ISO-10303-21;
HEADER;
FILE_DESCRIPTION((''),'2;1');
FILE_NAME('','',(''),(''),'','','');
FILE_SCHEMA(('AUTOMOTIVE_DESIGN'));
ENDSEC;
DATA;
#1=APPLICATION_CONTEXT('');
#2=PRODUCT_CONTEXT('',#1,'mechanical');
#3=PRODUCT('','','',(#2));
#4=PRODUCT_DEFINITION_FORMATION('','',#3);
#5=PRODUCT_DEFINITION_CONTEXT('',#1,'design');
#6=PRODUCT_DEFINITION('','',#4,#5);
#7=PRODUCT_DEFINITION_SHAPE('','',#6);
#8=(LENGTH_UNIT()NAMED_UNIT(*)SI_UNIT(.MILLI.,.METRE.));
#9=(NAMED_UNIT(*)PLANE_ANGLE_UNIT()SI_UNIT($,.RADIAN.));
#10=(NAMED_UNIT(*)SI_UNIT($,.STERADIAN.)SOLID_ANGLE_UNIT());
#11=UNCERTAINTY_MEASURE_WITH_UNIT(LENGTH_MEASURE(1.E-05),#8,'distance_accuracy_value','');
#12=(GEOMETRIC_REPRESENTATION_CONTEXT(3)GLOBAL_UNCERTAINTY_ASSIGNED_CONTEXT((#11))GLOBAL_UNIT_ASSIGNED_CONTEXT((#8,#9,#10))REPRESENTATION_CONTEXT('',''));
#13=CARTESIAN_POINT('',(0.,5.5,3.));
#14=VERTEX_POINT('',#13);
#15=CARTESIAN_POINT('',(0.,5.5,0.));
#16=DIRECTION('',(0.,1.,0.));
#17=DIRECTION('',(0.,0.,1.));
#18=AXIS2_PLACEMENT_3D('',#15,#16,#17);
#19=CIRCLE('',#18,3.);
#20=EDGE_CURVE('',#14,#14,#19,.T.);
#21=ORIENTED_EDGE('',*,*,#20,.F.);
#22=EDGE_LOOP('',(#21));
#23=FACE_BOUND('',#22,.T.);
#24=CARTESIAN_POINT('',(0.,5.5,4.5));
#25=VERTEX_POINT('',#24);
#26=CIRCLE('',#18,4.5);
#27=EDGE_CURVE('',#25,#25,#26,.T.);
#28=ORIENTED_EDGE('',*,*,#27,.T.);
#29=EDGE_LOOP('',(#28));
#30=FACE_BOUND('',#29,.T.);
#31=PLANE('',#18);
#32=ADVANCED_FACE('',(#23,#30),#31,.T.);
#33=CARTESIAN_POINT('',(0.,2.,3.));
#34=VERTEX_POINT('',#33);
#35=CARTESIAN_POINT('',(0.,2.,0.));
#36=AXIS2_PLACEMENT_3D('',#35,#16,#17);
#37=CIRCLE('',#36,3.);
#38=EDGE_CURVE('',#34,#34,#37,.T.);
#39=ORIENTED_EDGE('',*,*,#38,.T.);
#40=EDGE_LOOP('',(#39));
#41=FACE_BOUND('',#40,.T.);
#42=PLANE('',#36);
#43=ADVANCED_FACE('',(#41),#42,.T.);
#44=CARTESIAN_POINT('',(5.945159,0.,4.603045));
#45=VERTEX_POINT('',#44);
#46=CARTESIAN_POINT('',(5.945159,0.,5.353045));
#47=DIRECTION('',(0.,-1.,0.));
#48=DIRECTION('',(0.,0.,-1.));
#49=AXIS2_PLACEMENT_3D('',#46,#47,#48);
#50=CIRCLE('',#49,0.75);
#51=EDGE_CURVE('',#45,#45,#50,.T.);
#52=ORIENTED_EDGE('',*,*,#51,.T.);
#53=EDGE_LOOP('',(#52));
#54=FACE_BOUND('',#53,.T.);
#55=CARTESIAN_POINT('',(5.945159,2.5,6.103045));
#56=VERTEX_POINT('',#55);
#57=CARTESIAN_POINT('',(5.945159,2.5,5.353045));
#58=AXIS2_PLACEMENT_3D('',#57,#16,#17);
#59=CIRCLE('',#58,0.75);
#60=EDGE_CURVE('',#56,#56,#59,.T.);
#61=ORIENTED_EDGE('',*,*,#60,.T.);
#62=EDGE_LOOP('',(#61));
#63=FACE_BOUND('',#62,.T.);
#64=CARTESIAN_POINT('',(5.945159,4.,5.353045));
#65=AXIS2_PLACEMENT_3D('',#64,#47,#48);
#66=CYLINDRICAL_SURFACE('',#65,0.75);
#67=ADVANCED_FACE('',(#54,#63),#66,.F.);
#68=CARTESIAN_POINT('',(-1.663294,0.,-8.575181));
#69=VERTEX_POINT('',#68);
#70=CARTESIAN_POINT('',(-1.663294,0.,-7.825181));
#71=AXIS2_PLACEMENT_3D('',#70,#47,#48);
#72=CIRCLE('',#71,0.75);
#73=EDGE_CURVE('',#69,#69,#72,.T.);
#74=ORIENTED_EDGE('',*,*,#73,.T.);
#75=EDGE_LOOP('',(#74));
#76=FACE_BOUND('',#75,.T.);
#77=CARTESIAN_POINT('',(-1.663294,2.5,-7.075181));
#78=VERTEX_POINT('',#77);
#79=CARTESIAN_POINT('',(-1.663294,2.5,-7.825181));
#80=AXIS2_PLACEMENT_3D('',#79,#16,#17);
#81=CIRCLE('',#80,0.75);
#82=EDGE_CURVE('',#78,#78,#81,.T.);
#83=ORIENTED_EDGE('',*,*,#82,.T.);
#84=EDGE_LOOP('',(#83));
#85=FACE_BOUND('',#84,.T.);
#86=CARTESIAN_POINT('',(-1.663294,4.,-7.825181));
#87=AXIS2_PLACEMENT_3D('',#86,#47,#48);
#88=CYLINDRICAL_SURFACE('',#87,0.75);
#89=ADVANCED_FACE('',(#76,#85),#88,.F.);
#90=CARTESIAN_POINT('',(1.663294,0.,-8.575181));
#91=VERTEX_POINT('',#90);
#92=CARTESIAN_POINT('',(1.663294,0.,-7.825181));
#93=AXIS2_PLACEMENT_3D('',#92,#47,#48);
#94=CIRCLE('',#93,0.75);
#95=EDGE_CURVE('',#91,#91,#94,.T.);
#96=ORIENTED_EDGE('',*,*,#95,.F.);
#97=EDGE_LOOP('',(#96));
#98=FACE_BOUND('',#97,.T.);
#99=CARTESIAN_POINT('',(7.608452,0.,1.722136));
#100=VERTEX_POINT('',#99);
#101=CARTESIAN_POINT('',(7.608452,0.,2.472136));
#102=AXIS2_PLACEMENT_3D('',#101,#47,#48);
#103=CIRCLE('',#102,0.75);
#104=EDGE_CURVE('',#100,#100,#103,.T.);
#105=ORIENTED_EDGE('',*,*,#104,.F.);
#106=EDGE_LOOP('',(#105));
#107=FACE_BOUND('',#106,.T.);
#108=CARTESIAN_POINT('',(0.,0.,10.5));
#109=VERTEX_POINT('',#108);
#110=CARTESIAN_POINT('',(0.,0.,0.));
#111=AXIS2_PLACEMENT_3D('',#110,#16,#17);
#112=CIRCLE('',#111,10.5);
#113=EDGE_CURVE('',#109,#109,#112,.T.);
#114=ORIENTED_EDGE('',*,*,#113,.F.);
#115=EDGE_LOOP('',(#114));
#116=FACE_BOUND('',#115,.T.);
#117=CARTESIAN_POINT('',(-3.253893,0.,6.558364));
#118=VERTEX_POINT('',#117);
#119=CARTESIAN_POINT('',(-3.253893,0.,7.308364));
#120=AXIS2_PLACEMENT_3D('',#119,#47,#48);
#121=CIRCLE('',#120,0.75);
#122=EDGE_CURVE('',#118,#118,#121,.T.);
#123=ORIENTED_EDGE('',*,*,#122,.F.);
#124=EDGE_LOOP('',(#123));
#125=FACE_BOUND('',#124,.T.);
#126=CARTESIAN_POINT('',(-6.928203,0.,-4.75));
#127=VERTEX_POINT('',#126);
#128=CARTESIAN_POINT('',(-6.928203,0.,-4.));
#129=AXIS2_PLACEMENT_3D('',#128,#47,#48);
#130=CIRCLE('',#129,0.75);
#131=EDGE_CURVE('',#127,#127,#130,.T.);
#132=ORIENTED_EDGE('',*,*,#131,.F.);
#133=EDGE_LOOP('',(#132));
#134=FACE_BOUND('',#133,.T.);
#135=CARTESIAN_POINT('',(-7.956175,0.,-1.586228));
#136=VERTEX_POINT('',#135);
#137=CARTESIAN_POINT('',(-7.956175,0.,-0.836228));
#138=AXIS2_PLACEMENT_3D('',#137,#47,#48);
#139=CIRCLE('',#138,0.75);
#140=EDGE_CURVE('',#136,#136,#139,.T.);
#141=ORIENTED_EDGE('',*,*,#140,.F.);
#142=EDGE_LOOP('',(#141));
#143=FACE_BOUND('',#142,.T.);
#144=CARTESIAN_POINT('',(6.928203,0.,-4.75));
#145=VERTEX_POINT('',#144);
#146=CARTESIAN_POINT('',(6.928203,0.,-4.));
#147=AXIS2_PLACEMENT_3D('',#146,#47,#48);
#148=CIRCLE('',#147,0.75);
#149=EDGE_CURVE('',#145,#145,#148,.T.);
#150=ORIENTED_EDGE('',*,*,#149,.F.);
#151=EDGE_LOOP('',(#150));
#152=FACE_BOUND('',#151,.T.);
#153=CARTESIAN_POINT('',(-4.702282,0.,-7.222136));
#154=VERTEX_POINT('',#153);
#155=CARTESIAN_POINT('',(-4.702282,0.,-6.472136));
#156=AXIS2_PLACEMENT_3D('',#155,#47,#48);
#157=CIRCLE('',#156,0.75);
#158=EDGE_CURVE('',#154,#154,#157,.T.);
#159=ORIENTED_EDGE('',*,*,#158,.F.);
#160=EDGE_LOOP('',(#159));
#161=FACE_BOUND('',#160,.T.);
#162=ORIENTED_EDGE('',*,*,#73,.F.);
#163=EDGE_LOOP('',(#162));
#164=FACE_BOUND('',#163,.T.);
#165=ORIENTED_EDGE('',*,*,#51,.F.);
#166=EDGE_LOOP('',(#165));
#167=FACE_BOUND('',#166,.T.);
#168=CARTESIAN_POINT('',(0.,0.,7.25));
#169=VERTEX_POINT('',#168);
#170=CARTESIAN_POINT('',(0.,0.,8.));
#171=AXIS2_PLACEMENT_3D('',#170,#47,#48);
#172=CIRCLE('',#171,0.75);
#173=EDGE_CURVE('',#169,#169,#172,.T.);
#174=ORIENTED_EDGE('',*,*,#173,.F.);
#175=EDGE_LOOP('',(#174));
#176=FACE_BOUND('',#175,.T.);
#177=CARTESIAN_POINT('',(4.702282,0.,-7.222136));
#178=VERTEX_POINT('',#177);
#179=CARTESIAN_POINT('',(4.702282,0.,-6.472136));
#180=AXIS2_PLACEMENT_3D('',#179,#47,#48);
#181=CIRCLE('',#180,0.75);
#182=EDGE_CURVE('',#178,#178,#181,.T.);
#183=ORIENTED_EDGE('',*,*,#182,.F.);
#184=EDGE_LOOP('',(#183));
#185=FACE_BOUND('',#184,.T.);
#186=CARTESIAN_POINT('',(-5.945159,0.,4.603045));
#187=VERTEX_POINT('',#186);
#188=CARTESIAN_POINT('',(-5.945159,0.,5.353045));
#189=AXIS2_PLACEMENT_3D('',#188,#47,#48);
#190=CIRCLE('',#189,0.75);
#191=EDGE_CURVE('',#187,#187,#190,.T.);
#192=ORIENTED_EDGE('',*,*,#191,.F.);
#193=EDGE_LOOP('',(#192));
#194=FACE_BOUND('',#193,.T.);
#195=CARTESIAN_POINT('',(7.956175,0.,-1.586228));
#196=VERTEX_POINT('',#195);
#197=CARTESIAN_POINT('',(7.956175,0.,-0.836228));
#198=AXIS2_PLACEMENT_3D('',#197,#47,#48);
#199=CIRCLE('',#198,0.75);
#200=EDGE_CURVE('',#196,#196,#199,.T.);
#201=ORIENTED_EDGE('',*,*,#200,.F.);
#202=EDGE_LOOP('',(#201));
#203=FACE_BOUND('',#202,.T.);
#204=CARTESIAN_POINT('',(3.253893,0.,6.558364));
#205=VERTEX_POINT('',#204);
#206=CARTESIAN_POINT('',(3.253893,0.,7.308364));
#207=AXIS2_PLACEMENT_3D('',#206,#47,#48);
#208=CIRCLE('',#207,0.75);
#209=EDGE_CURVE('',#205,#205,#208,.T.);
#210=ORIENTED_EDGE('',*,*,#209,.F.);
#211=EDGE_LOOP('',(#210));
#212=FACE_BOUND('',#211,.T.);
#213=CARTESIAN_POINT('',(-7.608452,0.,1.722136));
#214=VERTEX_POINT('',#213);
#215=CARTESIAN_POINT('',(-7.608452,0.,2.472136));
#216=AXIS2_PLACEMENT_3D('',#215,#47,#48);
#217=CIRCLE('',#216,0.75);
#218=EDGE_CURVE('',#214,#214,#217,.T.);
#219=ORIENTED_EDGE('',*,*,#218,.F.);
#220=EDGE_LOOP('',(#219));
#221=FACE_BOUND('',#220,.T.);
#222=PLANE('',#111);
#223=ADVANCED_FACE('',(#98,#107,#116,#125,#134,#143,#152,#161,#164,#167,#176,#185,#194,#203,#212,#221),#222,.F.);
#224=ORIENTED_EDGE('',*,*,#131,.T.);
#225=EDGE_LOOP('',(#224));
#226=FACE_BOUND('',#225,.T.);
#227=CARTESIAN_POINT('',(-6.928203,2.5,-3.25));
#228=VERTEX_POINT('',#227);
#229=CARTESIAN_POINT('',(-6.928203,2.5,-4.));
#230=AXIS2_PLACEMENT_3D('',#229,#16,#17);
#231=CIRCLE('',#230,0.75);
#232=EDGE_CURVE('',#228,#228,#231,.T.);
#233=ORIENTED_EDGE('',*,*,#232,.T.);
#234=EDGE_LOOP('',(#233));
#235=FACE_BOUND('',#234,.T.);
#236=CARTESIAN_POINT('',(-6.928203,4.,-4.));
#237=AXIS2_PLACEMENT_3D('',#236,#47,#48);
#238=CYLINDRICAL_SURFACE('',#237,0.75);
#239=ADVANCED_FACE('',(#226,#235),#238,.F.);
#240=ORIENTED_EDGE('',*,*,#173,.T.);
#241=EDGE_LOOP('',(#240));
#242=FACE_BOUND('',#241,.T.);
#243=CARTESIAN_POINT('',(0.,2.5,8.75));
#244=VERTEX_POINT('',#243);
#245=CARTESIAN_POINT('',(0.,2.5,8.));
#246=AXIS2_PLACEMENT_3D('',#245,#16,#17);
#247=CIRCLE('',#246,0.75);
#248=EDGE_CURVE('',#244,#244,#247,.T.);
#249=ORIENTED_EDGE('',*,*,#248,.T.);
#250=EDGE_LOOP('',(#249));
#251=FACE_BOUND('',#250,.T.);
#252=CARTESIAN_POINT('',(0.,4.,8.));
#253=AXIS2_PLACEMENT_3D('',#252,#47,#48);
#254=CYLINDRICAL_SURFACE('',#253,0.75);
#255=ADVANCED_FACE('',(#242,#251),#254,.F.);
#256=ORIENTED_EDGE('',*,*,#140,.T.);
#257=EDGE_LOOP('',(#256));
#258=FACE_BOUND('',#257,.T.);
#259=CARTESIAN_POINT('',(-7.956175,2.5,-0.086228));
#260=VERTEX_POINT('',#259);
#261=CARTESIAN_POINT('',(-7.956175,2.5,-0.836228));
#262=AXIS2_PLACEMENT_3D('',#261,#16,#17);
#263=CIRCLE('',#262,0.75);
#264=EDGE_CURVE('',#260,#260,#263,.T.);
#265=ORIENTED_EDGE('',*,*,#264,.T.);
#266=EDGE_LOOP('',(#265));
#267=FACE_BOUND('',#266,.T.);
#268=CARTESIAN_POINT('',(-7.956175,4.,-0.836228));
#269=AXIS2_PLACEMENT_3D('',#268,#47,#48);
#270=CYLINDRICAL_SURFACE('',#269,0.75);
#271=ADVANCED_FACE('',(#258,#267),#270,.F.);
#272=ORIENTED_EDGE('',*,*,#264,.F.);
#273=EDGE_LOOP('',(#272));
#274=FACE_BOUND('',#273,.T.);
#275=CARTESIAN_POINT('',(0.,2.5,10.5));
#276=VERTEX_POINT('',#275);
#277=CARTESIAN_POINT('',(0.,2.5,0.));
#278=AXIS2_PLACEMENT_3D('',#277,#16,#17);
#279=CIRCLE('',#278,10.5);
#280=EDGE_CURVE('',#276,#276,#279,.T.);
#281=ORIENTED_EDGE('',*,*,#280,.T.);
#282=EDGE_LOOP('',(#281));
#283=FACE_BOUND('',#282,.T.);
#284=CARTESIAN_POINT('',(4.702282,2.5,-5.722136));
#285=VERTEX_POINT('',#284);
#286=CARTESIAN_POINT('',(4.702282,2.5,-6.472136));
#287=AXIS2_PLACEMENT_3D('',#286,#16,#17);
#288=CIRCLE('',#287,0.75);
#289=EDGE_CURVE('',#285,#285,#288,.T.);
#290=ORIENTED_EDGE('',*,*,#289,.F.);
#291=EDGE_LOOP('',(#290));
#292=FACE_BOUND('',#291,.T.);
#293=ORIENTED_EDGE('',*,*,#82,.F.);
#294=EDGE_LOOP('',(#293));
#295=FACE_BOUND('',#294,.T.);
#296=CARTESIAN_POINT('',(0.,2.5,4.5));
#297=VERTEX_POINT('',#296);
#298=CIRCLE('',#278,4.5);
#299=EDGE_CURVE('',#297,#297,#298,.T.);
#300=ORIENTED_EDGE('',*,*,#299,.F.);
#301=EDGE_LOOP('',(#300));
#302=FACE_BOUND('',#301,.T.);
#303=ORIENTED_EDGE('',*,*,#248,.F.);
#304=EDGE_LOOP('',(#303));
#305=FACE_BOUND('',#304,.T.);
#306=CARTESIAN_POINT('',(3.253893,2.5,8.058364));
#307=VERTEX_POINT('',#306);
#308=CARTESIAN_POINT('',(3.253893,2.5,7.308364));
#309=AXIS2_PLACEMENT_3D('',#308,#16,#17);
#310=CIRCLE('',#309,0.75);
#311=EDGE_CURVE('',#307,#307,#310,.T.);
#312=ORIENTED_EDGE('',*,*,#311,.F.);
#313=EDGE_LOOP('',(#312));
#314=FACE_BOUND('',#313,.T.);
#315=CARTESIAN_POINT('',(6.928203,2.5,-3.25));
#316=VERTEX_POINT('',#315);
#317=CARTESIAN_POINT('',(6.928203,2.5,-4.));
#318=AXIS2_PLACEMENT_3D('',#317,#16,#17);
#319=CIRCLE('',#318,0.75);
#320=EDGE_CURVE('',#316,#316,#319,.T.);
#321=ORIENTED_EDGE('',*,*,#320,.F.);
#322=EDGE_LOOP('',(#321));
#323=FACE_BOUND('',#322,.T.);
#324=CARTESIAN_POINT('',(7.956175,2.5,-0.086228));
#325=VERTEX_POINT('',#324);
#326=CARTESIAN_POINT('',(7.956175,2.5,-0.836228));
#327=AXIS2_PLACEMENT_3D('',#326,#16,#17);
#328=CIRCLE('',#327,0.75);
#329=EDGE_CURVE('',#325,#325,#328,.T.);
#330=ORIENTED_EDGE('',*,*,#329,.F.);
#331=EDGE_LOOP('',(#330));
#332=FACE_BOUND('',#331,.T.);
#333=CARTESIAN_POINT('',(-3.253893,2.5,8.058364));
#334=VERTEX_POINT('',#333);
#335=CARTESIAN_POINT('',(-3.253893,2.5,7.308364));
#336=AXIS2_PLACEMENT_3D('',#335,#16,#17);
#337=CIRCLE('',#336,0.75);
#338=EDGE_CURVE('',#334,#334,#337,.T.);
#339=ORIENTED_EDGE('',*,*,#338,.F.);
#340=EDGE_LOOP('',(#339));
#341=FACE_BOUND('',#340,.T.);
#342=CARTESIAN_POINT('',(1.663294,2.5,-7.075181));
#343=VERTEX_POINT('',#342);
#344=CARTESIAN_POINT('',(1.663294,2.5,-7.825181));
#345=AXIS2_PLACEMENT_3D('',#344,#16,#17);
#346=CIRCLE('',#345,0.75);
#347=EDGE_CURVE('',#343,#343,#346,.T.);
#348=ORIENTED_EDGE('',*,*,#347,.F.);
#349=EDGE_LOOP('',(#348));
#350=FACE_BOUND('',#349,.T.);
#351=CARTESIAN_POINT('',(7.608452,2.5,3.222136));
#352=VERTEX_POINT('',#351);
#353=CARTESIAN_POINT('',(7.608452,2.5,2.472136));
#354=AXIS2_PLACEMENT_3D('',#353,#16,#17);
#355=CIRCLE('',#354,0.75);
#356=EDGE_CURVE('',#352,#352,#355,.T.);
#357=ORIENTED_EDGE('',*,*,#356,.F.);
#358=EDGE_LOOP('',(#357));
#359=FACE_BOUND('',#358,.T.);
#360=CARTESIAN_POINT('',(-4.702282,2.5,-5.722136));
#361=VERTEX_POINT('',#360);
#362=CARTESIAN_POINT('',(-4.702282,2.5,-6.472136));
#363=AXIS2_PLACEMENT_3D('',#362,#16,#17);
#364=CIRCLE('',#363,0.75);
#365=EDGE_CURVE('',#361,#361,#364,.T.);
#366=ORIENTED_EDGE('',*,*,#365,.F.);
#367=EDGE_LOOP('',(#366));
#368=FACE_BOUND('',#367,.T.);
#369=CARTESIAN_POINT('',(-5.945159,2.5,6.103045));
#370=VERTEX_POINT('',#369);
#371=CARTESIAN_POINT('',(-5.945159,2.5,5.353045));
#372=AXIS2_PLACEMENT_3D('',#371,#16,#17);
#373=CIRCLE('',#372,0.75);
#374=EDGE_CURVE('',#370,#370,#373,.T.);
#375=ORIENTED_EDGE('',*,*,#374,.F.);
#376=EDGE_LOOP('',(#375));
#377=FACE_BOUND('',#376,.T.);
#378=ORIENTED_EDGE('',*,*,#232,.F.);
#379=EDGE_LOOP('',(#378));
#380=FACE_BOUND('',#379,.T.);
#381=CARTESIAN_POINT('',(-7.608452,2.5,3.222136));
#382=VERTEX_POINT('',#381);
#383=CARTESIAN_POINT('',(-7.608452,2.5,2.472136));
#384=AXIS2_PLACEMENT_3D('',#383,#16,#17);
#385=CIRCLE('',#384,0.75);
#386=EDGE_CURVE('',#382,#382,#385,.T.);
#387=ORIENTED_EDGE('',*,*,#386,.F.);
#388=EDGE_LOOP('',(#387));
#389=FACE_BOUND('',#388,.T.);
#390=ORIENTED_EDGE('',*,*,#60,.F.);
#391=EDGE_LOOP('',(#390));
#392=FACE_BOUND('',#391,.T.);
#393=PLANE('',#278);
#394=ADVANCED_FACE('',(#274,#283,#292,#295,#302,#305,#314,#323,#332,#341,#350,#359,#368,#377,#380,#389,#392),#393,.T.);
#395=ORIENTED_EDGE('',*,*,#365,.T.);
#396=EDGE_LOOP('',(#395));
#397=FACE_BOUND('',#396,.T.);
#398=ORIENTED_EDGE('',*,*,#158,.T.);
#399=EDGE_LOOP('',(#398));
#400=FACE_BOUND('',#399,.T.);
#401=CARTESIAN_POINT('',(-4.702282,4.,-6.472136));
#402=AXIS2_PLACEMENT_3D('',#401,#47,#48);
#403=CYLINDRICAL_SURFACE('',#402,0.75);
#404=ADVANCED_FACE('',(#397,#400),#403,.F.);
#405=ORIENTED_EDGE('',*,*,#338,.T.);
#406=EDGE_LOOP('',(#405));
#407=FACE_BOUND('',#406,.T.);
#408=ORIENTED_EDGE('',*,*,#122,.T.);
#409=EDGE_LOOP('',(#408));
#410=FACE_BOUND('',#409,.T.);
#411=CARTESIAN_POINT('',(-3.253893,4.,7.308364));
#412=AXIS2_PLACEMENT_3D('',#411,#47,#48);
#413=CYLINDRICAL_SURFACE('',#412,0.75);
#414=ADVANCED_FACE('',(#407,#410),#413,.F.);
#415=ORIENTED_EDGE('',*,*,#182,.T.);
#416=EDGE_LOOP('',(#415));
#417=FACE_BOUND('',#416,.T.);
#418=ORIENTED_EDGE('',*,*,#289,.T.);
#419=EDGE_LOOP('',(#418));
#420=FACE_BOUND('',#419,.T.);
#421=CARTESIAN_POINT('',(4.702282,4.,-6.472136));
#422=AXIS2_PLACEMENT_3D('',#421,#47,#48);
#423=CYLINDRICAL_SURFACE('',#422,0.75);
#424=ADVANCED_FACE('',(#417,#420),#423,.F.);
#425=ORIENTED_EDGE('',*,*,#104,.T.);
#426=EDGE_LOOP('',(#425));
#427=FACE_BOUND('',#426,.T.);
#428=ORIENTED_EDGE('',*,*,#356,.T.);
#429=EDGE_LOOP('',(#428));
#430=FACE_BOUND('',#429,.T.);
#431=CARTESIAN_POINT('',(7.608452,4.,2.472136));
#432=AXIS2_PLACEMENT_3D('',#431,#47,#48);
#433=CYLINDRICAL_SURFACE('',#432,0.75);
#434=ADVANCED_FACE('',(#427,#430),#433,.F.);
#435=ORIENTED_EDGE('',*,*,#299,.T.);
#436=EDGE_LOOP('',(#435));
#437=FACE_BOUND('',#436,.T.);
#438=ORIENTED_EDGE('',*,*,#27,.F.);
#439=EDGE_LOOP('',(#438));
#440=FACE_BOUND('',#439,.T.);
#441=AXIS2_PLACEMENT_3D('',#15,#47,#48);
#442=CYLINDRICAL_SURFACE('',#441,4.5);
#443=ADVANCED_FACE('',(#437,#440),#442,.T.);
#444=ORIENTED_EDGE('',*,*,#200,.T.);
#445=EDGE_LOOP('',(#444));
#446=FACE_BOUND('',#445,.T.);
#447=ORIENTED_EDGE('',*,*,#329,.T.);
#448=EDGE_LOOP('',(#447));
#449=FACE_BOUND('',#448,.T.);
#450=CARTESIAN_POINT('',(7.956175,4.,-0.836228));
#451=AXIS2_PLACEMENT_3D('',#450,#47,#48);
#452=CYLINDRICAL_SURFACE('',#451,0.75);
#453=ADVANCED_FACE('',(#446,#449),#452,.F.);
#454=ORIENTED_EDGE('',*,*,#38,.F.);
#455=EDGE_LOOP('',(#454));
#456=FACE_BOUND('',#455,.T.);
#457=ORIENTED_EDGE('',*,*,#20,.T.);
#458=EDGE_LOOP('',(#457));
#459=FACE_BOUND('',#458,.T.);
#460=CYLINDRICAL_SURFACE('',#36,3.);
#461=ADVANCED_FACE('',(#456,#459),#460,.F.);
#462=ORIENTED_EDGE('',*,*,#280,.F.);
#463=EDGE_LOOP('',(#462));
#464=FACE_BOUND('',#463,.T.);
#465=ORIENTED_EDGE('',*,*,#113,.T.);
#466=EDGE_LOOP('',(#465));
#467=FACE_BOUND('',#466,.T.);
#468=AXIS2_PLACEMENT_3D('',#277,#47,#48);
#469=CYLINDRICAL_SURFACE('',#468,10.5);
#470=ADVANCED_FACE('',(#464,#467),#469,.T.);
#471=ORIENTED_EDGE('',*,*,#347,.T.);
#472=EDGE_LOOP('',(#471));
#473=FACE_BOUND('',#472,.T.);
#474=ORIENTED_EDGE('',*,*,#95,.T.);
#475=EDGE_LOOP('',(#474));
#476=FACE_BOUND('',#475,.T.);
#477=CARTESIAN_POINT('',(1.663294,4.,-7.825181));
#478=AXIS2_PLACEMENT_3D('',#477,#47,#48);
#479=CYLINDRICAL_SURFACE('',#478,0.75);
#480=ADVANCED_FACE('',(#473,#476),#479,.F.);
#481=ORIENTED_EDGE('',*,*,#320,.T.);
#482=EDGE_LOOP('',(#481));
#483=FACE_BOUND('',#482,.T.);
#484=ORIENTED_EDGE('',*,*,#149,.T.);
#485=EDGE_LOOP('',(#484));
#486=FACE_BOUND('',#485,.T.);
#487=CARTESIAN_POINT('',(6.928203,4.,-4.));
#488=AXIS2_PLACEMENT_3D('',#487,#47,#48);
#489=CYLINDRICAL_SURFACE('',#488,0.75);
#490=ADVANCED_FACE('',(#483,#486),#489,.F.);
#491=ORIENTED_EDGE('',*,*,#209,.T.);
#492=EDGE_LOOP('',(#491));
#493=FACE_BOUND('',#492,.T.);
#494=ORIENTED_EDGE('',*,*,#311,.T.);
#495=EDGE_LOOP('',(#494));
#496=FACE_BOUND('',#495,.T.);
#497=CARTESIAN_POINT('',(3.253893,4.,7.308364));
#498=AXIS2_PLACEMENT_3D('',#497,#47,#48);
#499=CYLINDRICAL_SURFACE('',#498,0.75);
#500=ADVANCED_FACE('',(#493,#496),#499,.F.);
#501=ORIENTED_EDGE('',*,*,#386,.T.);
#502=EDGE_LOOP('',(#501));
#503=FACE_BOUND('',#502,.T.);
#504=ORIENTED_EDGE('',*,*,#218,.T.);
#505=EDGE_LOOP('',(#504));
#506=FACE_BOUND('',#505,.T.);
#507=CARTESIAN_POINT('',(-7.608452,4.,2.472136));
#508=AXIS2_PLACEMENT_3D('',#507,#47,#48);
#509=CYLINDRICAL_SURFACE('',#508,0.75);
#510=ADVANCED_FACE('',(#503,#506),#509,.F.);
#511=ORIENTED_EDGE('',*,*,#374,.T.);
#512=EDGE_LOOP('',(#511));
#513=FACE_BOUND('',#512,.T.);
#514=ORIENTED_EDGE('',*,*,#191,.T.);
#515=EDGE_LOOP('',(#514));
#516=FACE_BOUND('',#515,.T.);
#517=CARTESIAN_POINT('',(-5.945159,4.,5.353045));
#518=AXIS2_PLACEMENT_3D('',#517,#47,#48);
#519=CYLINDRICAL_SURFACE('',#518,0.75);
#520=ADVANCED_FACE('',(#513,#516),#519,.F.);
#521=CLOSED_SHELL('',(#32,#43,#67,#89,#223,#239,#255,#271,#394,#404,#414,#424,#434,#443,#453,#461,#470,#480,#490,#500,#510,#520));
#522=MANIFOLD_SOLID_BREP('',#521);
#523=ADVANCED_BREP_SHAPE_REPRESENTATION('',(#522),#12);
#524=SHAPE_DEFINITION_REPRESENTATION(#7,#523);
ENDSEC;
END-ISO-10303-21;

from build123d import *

# Parameters (mm, degrees)
SKETCH_1_R          = 10.5
EXTRUDE_1_DEPTH     = 2.5
SKETCH_2_R          = 4.5
EXTRUDE_2_DEPTH     = 3
SKETCH_3_R          = 3
CUT_EXTRUDE_1_DEPTH = 3.5
SKETCH_4_R          = 0.75
CUT_EXTRUDE_2_DEPTH = 4


with BuildPart() as part:
    # 草图1 → 凸台-拉伸1 (new body)
    with BuildSketch(Plane(origin=(0, 0, 0), x_dir=(1, 0, 0), z_dir=(0, 1, 0))):
        with Locations(Location((0, 0, 0), (0, 0, 270))):
            Circle(SKETCH_1_R)
    extrude(amount=EXTRUDE_1_DEPTH)

    # 草图2 → 凸台-拉伸2 (add)
    with BuildSketch(Plane(origin=(0, 2.5, 0), x_dir=(1, 0, 0), z_dir=(0, 1, 0))):
        with Locations(Location((0, 0, 0), (0, 0, 270))):
            Circle(SKETCH_2_R)
    extrude(amount=EXTRUDE_2_DEPTH)

    # 草图3 → 切除-拉伸1 (cut)
    with BuildSketch(Plane(origin=(0, 5.5, 0), x_dir=(1, 0, 0), z_dir=(0, 1, 0))):
        with Locations(Location((0, 0, 0), (0, 0, 270))):
            Circle(SKETCH_3_R)
    extrude(amount=-CUT_EXTRUDE_1_DEPTH, mode=Mode.SUBTRACT)

    # 草图4 → 切除-拉伸2 (cut)
    with BuildSketch(Plane.XZ):
        with Locations(Location((0, 8, 0), (0, 0, 270))):
            Circle(SKETCH_4_R)
        with Locations(Location((3.253893145, 7.308363661, 0), (0, 0, 270))):
            Circle(SKETCH_4_R)
        with Locations(Location((5.945158604, 5.353044851, 0), (0, 0, 270))):
            Circle(SKETCH_4_R)
        with Locations(Location((7.60845213, 2.472135955, 0), (0, 0, 270))):
            Circle(SKETCH_4_R)
        with Locations(Location((7.956175163, -0.836227706, 0), (0, 0, 270))):
            Circle(SKETCH_4_R)
        with Locations(Location((6.92820323, -4, 0), (0, 0, 270))):
            Circle(SKETCH_4_R)
        with Locations(Location((4.702282018, -6.472135955, 0), (0, 0, 270))):
            Circle(SKETCH_4_R)
        with Locations(Location((1.663293527, -7.825180806, 0), (0, 0, 270))):
            Circle(SKETCH_4_R)
        with Locations(Location((-1.663293527, -7.825180806, 0), (0, 0, 270))):
            Circle(SKETCH_4_R)
        with Locations(Location((-4.702282018, -6.472135955, 0), (0, 0, 270))):
            Circle(SKETCH_4_R)
        with Locations(Location((-6.92820323, -4, 0), (0, 0, 270))):
            Circle(SKETCH_4_R)
        with Locations(Location((-7.956175163, -0.836227706, 0), (0, 0, 270))):
            Circle(SKETCH_4_R)
        with Locations(Location((-7.60845213, 2.472135955, 0), (0, 0, 270))):
            Circle(SKETCH_4_R)
        with Locations(Location((-5.945158604, 5.353044851, 0), (0, 0, 270))):
            Circle(SKETCH_4_R)
        with Locations(Location((-3.253893145, 7.308363661, 0), (0, 0, 270))):
            Circle(SKETCH_4_R)
    extrude(amount=-CUT_EXTRUDE_2_DEPTH, mode=Mode.SUBTRACT)


solid = part.part
